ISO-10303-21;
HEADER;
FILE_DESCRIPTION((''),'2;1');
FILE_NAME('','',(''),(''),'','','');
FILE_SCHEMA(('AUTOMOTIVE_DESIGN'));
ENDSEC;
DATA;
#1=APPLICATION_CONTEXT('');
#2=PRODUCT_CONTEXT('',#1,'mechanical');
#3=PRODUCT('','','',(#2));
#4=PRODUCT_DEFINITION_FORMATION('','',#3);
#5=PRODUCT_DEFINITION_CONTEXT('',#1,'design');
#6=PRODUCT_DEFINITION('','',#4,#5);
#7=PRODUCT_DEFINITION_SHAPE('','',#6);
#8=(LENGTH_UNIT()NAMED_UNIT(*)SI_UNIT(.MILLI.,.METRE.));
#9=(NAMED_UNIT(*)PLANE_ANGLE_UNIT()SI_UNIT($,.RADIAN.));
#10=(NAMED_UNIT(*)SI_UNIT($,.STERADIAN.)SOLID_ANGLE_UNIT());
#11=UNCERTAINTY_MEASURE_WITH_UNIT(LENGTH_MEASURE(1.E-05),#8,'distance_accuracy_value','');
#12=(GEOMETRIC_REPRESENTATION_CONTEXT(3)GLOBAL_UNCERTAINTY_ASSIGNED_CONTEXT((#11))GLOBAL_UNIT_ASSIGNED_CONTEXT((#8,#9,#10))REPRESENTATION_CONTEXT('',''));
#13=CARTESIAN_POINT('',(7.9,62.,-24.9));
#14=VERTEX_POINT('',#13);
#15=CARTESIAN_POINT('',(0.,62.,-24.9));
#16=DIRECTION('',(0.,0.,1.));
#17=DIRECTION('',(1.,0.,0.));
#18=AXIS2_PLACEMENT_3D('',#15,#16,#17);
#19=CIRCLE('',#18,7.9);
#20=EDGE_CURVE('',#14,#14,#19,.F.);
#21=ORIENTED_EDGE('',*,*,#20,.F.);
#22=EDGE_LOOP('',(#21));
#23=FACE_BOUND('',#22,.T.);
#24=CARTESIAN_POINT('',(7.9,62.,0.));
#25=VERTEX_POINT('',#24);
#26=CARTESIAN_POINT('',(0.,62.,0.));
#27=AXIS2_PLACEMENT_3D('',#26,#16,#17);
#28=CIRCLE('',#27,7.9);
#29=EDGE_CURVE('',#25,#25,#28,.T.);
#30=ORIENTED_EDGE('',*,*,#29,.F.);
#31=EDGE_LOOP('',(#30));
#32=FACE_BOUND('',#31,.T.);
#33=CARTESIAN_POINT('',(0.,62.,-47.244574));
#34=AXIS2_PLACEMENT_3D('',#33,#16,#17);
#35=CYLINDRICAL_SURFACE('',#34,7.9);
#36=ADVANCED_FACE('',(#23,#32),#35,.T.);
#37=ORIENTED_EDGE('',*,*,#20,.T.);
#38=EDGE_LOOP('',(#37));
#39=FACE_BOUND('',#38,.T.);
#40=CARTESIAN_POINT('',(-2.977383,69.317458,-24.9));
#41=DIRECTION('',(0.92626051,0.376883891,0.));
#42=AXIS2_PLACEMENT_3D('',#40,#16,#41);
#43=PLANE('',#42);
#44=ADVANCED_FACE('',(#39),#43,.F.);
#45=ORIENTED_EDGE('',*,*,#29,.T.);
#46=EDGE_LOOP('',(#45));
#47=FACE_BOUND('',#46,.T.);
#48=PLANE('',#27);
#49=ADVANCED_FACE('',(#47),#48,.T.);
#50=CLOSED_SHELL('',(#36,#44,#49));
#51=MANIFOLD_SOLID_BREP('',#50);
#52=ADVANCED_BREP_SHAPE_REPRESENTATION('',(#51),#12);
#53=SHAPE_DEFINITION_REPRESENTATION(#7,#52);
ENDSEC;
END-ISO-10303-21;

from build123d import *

# Parameters (mm, degrees)
SKETCH_1_R      = 7.9
EXTRUDE_1_DEPTH = 24.9


with BuildPart() as part:
    # Эскиз1 → Бобышка-Вытянуть1 (new body)
    with BuildSketch(Plane.XY):
        with Locations((0, 62)):
            Circle(SKETCH_1_R)
    extrude(amount=-EXTRUDE_1_DEPTH)


solid = part.part
